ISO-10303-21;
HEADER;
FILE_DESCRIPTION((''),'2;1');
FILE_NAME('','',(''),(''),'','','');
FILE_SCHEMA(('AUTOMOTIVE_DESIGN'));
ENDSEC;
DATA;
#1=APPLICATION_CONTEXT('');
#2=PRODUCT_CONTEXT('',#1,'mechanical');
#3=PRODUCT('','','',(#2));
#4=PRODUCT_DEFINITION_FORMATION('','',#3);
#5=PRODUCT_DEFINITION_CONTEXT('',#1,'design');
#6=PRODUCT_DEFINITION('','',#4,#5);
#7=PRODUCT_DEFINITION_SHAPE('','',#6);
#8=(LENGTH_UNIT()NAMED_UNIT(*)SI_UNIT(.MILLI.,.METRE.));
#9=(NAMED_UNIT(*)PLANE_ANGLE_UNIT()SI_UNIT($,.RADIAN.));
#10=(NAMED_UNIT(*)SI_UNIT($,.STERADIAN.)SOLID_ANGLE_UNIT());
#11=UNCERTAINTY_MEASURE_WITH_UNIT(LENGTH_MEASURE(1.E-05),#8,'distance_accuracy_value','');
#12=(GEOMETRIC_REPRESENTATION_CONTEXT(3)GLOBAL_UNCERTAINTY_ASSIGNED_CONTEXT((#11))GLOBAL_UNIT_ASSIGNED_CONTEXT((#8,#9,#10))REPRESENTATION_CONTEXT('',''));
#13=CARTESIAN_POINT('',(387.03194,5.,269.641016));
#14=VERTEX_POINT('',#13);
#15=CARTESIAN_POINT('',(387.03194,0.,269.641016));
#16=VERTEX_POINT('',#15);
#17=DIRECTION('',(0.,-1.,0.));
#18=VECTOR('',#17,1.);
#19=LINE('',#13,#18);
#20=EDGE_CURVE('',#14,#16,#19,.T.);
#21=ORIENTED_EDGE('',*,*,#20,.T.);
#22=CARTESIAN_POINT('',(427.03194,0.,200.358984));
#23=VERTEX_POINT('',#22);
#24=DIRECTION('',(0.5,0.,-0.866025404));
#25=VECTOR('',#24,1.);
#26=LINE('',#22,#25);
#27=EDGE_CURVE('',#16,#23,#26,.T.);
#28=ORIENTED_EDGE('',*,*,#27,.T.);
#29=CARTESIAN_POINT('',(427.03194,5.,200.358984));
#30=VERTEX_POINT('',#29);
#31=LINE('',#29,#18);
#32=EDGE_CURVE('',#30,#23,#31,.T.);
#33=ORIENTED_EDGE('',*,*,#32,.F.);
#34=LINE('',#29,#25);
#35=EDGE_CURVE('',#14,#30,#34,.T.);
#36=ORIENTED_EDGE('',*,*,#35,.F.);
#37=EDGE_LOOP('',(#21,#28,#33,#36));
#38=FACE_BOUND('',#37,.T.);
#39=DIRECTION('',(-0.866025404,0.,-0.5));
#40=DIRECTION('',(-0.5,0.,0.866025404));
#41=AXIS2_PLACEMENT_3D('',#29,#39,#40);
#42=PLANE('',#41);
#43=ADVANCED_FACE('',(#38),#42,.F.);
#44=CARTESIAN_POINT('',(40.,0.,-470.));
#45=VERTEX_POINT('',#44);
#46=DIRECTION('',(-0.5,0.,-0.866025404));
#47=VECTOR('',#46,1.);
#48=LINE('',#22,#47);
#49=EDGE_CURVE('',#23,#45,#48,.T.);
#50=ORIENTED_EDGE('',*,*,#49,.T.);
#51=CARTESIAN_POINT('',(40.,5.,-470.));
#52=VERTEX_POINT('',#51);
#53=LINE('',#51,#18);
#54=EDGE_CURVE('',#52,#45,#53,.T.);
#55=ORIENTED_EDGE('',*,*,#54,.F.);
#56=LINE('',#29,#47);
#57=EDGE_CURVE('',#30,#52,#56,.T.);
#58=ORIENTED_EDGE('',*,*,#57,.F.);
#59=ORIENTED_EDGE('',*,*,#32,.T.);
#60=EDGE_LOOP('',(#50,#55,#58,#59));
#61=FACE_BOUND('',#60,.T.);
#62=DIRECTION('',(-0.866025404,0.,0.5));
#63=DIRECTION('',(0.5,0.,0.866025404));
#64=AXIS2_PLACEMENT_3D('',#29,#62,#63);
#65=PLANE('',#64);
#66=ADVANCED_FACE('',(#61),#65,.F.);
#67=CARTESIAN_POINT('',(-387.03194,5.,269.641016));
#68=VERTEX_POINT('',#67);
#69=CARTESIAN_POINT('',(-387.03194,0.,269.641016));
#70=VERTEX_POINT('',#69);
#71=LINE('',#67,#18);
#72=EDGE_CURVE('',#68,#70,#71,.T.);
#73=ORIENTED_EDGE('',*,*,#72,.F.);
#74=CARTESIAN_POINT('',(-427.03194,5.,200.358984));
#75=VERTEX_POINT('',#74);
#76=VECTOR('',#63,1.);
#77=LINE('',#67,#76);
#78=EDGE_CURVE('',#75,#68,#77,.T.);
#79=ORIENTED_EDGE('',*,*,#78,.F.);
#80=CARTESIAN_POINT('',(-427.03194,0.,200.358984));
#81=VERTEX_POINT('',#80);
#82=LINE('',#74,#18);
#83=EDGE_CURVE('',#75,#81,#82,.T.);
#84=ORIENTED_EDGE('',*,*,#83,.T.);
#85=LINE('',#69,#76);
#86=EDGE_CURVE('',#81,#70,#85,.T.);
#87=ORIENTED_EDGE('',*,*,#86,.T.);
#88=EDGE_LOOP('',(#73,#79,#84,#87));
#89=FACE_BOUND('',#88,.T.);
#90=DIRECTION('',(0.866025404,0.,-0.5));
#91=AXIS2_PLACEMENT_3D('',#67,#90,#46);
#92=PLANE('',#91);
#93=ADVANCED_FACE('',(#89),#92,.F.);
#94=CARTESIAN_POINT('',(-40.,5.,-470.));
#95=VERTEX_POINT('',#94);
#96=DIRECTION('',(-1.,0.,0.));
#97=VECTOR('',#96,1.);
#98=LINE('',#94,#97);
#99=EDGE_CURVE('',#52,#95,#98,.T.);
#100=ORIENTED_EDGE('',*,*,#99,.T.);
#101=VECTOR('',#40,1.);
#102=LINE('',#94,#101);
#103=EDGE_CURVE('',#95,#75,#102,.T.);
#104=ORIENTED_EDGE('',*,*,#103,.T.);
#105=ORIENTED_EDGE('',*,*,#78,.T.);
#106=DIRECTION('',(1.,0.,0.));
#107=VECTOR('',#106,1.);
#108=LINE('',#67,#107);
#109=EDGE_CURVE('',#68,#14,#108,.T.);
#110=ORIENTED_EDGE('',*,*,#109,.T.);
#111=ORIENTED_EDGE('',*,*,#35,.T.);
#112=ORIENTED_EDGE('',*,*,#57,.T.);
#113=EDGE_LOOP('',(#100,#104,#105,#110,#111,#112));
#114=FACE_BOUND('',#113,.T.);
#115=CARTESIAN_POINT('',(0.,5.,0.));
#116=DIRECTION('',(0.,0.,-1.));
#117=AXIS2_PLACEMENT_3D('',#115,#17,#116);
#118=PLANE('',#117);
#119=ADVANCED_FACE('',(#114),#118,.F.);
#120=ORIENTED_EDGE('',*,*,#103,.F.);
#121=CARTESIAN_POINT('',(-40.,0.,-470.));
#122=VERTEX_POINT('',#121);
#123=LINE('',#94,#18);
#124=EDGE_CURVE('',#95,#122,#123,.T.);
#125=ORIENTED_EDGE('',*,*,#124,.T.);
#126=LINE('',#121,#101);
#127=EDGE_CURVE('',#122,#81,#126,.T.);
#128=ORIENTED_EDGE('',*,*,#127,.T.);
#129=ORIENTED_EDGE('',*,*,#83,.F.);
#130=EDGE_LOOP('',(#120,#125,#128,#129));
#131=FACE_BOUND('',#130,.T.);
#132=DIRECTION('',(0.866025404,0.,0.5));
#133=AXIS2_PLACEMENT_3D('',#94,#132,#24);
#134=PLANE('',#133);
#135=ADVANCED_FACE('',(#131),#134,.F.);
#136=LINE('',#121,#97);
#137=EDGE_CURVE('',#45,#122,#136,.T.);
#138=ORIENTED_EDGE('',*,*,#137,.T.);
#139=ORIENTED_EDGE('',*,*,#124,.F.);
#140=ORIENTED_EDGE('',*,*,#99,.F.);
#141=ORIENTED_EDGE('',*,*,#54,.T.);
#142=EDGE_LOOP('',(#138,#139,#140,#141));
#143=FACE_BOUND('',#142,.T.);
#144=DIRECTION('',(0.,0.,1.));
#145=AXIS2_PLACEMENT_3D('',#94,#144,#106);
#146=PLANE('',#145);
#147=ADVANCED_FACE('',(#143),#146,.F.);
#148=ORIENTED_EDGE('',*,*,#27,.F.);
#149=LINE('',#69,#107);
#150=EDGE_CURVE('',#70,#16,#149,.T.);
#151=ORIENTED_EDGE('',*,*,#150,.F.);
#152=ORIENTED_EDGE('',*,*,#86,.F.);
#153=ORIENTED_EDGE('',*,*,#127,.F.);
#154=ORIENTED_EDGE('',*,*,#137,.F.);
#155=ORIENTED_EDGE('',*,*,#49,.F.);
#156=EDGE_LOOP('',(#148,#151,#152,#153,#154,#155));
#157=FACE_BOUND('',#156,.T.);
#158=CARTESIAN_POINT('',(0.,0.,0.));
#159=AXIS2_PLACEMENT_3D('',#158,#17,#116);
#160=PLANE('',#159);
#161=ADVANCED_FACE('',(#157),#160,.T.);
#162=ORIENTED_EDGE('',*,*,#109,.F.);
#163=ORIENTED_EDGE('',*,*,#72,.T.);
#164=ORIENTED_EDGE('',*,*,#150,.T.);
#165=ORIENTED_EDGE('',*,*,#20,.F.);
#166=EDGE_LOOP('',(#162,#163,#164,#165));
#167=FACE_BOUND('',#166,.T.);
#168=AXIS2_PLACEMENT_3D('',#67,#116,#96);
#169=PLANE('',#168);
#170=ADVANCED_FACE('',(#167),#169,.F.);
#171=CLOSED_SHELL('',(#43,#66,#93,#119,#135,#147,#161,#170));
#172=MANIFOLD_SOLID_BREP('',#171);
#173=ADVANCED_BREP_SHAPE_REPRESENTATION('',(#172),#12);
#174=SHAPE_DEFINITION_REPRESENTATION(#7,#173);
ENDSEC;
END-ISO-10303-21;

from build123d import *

# Parameters (mm, degrees)
SALIENTE_EXTRUIR1_DEPTH = 5


with BuildPart() as part:
    # Croquis1 → Saliente-Extruir1 (new body)
    with BuildSketch(Plane(origin=(0, 0, 0), x_dir=(1, 0, 0), z_dir=(0, 1, 0))):
        Polygon((-40, 470), (40, 470), (427.031939779, -200.358983849), (387.031939779, -269.641016151), (-387.031939779, -269.641016151), (-427.031939779, -200.358983849), align=None)
    extrude(amount=SALIENTE_EXTRUIR1_DEPTH)


solid = part.part
